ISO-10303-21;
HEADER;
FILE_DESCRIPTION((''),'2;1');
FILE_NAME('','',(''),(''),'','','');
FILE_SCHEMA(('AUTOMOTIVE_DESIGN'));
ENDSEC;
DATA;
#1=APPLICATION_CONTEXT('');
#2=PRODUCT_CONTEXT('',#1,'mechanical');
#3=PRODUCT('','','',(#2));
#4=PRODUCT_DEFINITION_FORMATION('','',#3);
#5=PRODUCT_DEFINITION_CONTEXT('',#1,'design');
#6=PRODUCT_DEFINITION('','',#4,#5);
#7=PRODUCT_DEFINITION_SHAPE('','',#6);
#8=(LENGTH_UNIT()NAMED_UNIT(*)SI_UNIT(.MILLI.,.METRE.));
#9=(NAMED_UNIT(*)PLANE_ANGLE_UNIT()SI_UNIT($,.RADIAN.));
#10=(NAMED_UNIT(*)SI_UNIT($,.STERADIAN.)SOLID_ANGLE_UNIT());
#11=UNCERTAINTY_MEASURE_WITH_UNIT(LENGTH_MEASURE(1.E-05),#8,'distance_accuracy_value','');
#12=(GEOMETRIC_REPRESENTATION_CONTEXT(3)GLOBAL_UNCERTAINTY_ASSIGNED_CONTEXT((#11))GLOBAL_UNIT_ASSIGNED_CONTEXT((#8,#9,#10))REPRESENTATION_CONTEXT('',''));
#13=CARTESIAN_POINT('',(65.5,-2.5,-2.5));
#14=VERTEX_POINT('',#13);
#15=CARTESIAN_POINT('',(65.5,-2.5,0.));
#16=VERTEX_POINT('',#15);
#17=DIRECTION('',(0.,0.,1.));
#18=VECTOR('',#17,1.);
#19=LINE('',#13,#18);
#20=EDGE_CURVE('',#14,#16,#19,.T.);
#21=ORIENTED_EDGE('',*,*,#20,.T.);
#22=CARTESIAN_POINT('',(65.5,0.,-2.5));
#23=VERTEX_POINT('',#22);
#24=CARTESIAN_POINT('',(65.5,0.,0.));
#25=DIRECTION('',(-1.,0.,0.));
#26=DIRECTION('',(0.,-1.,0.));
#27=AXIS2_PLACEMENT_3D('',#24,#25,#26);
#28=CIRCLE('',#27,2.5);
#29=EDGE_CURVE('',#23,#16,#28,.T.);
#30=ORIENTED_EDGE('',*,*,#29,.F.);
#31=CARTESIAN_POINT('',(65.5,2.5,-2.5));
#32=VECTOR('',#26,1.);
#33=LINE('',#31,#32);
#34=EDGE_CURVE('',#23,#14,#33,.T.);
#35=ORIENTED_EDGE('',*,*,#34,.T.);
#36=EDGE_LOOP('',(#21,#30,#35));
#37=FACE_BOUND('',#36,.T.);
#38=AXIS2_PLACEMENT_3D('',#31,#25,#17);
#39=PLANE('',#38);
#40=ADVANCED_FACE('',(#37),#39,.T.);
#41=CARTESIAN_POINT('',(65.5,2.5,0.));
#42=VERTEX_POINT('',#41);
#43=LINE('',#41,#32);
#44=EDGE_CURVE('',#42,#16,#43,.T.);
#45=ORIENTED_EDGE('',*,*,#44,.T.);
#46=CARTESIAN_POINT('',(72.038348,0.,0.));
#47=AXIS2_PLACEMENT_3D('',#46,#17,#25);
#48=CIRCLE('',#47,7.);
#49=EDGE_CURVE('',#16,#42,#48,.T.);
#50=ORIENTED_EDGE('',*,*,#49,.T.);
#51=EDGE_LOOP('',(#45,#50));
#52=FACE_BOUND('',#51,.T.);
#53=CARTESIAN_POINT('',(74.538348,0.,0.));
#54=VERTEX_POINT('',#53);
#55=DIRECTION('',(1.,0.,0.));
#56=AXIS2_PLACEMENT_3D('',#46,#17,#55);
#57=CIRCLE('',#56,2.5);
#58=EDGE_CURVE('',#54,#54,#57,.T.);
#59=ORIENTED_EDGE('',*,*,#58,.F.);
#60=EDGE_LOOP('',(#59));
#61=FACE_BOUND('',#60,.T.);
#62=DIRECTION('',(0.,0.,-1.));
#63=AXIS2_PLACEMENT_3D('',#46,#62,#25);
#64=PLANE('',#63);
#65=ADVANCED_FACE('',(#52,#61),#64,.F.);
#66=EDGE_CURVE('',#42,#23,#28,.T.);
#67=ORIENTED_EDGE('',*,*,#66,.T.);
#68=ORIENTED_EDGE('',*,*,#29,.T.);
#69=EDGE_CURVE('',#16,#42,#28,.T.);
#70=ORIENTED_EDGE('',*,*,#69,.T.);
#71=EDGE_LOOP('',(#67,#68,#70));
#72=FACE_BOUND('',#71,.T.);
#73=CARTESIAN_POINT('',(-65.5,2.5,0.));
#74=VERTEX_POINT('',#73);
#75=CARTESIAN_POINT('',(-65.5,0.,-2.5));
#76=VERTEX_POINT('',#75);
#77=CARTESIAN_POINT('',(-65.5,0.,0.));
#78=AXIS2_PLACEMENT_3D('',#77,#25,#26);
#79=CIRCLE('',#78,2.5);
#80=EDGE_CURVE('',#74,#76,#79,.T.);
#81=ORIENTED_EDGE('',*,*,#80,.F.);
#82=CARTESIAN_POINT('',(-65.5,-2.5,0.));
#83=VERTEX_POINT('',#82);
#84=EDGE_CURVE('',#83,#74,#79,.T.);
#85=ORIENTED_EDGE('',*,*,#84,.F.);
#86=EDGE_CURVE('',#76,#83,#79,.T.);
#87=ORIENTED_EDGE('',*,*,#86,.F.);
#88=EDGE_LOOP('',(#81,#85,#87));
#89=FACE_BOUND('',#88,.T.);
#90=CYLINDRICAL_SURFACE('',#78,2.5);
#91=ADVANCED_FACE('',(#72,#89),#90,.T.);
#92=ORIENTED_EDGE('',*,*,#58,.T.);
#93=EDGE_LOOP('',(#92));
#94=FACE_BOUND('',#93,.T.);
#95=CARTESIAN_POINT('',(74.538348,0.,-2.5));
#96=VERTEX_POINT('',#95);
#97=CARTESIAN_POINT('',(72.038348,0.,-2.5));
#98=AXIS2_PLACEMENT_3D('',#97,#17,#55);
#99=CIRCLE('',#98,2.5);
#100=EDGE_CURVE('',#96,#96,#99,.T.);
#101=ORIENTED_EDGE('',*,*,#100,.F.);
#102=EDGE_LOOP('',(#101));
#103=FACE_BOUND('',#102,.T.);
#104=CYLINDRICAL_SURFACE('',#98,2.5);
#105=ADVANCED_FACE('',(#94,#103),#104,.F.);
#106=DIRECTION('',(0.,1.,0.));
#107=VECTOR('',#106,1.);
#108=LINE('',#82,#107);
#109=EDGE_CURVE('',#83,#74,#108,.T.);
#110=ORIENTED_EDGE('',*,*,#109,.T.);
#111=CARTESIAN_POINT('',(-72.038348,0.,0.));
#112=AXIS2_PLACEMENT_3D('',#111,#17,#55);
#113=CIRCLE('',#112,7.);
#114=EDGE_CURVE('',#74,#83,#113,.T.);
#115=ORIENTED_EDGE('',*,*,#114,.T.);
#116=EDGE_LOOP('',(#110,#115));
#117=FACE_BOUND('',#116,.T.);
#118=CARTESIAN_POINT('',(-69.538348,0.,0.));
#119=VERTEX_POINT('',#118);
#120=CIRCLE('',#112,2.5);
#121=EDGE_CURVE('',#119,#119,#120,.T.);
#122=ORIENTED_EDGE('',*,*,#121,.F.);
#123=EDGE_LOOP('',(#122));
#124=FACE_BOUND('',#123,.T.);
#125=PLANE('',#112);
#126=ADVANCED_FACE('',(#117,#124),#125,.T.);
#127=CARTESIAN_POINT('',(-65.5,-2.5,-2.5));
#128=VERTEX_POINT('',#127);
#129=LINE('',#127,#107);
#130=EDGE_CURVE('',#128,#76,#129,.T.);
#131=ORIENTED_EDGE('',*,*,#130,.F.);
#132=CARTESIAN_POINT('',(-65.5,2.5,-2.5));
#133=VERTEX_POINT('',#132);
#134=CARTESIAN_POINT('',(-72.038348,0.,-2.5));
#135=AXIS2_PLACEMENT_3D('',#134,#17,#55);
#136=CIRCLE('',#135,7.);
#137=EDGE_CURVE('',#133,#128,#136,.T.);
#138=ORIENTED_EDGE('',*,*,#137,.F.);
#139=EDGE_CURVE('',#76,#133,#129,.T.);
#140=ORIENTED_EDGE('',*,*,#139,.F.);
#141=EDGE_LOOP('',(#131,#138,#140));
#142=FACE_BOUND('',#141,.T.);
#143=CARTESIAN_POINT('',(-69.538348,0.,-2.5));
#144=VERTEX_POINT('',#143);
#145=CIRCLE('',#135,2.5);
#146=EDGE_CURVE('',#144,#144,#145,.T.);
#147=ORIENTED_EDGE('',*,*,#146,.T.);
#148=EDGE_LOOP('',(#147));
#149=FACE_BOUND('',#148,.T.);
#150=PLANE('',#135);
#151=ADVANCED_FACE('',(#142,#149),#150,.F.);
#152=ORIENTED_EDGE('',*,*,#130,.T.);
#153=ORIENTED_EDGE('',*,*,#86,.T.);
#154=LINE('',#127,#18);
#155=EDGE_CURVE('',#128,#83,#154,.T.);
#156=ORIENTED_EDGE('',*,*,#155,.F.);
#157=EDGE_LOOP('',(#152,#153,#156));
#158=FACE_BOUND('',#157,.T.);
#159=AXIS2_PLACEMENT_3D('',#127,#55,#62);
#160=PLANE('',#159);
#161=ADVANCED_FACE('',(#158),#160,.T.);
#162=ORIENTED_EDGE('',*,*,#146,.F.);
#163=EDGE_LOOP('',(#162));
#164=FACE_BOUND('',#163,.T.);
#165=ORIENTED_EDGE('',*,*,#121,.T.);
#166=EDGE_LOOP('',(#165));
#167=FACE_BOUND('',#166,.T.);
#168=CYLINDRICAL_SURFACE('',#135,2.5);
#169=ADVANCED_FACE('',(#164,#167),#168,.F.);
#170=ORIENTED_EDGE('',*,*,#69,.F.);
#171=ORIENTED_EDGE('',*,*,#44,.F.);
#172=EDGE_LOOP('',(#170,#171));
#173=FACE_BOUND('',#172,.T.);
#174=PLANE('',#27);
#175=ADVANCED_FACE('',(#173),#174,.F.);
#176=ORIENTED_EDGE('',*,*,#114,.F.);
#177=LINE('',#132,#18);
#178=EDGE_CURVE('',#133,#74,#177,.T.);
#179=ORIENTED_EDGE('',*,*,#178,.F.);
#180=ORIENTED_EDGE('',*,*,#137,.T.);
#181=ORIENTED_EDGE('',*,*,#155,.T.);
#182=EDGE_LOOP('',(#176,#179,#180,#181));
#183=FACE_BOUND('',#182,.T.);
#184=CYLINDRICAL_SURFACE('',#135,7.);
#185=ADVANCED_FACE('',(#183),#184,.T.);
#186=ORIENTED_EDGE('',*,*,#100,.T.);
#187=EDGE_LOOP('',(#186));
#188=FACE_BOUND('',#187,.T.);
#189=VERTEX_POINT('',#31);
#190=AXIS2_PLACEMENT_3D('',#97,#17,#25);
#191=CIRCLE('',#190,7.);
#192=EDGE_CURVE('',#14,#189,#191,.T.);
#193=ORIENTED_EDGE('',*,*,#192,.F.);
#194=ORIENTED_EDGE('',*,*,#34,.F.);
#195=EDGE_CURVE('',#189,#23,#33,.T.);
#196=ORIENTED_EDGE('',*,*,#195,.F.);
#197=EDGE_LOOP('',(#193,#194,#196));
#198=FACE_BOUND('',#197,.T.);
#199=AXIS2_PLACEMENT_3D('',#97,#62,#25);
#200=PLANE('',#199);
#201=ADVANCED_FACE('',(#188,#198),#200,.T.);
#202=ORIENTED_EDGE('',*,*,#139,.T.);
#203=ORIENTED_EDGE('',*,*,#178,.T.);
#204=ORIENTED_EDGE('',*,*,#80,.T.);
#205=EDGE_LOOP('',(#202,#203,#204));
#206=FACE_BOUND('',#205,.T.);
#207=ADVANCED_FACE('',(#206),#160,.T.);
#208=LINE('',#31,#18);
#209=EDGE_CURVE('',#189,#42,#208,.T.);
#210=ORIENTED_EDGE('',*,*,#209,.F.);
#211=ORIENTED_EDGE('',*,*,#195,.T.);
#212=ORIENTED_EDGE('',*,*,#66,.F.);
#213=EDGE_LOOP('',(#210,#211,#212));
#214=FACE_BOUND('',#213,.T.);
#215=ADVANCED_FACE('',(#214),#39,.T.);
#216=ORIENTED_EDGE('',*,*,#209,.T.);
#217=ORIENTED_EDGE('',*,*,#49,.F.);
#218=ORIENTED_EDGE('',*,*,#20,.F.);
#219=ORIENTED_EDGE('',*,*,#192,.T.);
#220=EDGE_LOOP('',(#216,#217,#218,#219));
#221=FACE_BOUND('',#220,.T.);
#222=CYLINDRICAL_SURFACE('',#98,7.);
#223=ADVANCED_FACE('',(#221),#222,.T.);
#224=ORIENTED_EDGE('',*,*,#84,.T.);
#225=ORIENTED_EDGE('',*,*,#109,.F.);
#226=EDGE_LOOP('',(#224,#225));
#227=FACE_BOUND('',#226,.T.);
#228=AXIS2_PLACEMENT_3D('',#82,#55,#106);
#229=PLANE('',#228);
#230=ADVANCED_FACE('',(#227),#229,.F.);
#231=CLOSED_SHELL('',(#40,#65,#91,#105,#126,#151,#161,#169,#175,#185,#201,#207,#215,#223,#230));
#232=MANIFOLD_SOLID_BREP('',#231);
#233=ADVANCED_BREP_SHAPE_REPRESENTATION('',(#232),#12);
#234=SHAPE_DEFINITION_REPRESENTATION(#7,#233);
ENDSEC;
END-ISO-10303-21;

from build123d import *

# Parameters (mm, degrees)
SKETCH1_W           = 131
SKETCH1_H           = 2.5
SKETCH3_R           = 2.5
BOSS_EXTRUDE2_DEPTH = 2.5


with BuildPart() as part:
    # Sketch1 → Revolve-Thin1 (revolve)
    with BuildSketch(Plane.XY):
        with Locations((0, 1.25)):
            Rectangle(SKETCH1_W, SKETCH1_H)
    revolve(axis=Axis((-65.5, 0, 0), (1, 0, 0)))

    # Sketch3 → Boss-Extrude2 (add)
    with BuildSketch(Plane.XY):
        with BuildLine():
            Line((65.5, 2.5), (65.5, -2.5))
            ThreePointArc((65.5, -2.5), (79.038348415, 0), (65.5, 2.5))
        make_face()
        with Locations((72.038348415, 0)):
            Circle(SKETCH3_R, mode=Mode.SUBTRACT)
        with BuildLine():
            Line((-65.5, -2.5), (-65.5, 2.5))
            ThreePointArc((-65.5, 2.5), (-79.038348415, 0), (-65.5, -2.5))
        make_face()
        with Locations((-72.038348415, 0)):
            Circle(SKETCH3_R, mode=Mode.SUBTRACT)
    extrude(amount=-BOSS_EXTRUDE2_DEPTH)


solid = part.part
